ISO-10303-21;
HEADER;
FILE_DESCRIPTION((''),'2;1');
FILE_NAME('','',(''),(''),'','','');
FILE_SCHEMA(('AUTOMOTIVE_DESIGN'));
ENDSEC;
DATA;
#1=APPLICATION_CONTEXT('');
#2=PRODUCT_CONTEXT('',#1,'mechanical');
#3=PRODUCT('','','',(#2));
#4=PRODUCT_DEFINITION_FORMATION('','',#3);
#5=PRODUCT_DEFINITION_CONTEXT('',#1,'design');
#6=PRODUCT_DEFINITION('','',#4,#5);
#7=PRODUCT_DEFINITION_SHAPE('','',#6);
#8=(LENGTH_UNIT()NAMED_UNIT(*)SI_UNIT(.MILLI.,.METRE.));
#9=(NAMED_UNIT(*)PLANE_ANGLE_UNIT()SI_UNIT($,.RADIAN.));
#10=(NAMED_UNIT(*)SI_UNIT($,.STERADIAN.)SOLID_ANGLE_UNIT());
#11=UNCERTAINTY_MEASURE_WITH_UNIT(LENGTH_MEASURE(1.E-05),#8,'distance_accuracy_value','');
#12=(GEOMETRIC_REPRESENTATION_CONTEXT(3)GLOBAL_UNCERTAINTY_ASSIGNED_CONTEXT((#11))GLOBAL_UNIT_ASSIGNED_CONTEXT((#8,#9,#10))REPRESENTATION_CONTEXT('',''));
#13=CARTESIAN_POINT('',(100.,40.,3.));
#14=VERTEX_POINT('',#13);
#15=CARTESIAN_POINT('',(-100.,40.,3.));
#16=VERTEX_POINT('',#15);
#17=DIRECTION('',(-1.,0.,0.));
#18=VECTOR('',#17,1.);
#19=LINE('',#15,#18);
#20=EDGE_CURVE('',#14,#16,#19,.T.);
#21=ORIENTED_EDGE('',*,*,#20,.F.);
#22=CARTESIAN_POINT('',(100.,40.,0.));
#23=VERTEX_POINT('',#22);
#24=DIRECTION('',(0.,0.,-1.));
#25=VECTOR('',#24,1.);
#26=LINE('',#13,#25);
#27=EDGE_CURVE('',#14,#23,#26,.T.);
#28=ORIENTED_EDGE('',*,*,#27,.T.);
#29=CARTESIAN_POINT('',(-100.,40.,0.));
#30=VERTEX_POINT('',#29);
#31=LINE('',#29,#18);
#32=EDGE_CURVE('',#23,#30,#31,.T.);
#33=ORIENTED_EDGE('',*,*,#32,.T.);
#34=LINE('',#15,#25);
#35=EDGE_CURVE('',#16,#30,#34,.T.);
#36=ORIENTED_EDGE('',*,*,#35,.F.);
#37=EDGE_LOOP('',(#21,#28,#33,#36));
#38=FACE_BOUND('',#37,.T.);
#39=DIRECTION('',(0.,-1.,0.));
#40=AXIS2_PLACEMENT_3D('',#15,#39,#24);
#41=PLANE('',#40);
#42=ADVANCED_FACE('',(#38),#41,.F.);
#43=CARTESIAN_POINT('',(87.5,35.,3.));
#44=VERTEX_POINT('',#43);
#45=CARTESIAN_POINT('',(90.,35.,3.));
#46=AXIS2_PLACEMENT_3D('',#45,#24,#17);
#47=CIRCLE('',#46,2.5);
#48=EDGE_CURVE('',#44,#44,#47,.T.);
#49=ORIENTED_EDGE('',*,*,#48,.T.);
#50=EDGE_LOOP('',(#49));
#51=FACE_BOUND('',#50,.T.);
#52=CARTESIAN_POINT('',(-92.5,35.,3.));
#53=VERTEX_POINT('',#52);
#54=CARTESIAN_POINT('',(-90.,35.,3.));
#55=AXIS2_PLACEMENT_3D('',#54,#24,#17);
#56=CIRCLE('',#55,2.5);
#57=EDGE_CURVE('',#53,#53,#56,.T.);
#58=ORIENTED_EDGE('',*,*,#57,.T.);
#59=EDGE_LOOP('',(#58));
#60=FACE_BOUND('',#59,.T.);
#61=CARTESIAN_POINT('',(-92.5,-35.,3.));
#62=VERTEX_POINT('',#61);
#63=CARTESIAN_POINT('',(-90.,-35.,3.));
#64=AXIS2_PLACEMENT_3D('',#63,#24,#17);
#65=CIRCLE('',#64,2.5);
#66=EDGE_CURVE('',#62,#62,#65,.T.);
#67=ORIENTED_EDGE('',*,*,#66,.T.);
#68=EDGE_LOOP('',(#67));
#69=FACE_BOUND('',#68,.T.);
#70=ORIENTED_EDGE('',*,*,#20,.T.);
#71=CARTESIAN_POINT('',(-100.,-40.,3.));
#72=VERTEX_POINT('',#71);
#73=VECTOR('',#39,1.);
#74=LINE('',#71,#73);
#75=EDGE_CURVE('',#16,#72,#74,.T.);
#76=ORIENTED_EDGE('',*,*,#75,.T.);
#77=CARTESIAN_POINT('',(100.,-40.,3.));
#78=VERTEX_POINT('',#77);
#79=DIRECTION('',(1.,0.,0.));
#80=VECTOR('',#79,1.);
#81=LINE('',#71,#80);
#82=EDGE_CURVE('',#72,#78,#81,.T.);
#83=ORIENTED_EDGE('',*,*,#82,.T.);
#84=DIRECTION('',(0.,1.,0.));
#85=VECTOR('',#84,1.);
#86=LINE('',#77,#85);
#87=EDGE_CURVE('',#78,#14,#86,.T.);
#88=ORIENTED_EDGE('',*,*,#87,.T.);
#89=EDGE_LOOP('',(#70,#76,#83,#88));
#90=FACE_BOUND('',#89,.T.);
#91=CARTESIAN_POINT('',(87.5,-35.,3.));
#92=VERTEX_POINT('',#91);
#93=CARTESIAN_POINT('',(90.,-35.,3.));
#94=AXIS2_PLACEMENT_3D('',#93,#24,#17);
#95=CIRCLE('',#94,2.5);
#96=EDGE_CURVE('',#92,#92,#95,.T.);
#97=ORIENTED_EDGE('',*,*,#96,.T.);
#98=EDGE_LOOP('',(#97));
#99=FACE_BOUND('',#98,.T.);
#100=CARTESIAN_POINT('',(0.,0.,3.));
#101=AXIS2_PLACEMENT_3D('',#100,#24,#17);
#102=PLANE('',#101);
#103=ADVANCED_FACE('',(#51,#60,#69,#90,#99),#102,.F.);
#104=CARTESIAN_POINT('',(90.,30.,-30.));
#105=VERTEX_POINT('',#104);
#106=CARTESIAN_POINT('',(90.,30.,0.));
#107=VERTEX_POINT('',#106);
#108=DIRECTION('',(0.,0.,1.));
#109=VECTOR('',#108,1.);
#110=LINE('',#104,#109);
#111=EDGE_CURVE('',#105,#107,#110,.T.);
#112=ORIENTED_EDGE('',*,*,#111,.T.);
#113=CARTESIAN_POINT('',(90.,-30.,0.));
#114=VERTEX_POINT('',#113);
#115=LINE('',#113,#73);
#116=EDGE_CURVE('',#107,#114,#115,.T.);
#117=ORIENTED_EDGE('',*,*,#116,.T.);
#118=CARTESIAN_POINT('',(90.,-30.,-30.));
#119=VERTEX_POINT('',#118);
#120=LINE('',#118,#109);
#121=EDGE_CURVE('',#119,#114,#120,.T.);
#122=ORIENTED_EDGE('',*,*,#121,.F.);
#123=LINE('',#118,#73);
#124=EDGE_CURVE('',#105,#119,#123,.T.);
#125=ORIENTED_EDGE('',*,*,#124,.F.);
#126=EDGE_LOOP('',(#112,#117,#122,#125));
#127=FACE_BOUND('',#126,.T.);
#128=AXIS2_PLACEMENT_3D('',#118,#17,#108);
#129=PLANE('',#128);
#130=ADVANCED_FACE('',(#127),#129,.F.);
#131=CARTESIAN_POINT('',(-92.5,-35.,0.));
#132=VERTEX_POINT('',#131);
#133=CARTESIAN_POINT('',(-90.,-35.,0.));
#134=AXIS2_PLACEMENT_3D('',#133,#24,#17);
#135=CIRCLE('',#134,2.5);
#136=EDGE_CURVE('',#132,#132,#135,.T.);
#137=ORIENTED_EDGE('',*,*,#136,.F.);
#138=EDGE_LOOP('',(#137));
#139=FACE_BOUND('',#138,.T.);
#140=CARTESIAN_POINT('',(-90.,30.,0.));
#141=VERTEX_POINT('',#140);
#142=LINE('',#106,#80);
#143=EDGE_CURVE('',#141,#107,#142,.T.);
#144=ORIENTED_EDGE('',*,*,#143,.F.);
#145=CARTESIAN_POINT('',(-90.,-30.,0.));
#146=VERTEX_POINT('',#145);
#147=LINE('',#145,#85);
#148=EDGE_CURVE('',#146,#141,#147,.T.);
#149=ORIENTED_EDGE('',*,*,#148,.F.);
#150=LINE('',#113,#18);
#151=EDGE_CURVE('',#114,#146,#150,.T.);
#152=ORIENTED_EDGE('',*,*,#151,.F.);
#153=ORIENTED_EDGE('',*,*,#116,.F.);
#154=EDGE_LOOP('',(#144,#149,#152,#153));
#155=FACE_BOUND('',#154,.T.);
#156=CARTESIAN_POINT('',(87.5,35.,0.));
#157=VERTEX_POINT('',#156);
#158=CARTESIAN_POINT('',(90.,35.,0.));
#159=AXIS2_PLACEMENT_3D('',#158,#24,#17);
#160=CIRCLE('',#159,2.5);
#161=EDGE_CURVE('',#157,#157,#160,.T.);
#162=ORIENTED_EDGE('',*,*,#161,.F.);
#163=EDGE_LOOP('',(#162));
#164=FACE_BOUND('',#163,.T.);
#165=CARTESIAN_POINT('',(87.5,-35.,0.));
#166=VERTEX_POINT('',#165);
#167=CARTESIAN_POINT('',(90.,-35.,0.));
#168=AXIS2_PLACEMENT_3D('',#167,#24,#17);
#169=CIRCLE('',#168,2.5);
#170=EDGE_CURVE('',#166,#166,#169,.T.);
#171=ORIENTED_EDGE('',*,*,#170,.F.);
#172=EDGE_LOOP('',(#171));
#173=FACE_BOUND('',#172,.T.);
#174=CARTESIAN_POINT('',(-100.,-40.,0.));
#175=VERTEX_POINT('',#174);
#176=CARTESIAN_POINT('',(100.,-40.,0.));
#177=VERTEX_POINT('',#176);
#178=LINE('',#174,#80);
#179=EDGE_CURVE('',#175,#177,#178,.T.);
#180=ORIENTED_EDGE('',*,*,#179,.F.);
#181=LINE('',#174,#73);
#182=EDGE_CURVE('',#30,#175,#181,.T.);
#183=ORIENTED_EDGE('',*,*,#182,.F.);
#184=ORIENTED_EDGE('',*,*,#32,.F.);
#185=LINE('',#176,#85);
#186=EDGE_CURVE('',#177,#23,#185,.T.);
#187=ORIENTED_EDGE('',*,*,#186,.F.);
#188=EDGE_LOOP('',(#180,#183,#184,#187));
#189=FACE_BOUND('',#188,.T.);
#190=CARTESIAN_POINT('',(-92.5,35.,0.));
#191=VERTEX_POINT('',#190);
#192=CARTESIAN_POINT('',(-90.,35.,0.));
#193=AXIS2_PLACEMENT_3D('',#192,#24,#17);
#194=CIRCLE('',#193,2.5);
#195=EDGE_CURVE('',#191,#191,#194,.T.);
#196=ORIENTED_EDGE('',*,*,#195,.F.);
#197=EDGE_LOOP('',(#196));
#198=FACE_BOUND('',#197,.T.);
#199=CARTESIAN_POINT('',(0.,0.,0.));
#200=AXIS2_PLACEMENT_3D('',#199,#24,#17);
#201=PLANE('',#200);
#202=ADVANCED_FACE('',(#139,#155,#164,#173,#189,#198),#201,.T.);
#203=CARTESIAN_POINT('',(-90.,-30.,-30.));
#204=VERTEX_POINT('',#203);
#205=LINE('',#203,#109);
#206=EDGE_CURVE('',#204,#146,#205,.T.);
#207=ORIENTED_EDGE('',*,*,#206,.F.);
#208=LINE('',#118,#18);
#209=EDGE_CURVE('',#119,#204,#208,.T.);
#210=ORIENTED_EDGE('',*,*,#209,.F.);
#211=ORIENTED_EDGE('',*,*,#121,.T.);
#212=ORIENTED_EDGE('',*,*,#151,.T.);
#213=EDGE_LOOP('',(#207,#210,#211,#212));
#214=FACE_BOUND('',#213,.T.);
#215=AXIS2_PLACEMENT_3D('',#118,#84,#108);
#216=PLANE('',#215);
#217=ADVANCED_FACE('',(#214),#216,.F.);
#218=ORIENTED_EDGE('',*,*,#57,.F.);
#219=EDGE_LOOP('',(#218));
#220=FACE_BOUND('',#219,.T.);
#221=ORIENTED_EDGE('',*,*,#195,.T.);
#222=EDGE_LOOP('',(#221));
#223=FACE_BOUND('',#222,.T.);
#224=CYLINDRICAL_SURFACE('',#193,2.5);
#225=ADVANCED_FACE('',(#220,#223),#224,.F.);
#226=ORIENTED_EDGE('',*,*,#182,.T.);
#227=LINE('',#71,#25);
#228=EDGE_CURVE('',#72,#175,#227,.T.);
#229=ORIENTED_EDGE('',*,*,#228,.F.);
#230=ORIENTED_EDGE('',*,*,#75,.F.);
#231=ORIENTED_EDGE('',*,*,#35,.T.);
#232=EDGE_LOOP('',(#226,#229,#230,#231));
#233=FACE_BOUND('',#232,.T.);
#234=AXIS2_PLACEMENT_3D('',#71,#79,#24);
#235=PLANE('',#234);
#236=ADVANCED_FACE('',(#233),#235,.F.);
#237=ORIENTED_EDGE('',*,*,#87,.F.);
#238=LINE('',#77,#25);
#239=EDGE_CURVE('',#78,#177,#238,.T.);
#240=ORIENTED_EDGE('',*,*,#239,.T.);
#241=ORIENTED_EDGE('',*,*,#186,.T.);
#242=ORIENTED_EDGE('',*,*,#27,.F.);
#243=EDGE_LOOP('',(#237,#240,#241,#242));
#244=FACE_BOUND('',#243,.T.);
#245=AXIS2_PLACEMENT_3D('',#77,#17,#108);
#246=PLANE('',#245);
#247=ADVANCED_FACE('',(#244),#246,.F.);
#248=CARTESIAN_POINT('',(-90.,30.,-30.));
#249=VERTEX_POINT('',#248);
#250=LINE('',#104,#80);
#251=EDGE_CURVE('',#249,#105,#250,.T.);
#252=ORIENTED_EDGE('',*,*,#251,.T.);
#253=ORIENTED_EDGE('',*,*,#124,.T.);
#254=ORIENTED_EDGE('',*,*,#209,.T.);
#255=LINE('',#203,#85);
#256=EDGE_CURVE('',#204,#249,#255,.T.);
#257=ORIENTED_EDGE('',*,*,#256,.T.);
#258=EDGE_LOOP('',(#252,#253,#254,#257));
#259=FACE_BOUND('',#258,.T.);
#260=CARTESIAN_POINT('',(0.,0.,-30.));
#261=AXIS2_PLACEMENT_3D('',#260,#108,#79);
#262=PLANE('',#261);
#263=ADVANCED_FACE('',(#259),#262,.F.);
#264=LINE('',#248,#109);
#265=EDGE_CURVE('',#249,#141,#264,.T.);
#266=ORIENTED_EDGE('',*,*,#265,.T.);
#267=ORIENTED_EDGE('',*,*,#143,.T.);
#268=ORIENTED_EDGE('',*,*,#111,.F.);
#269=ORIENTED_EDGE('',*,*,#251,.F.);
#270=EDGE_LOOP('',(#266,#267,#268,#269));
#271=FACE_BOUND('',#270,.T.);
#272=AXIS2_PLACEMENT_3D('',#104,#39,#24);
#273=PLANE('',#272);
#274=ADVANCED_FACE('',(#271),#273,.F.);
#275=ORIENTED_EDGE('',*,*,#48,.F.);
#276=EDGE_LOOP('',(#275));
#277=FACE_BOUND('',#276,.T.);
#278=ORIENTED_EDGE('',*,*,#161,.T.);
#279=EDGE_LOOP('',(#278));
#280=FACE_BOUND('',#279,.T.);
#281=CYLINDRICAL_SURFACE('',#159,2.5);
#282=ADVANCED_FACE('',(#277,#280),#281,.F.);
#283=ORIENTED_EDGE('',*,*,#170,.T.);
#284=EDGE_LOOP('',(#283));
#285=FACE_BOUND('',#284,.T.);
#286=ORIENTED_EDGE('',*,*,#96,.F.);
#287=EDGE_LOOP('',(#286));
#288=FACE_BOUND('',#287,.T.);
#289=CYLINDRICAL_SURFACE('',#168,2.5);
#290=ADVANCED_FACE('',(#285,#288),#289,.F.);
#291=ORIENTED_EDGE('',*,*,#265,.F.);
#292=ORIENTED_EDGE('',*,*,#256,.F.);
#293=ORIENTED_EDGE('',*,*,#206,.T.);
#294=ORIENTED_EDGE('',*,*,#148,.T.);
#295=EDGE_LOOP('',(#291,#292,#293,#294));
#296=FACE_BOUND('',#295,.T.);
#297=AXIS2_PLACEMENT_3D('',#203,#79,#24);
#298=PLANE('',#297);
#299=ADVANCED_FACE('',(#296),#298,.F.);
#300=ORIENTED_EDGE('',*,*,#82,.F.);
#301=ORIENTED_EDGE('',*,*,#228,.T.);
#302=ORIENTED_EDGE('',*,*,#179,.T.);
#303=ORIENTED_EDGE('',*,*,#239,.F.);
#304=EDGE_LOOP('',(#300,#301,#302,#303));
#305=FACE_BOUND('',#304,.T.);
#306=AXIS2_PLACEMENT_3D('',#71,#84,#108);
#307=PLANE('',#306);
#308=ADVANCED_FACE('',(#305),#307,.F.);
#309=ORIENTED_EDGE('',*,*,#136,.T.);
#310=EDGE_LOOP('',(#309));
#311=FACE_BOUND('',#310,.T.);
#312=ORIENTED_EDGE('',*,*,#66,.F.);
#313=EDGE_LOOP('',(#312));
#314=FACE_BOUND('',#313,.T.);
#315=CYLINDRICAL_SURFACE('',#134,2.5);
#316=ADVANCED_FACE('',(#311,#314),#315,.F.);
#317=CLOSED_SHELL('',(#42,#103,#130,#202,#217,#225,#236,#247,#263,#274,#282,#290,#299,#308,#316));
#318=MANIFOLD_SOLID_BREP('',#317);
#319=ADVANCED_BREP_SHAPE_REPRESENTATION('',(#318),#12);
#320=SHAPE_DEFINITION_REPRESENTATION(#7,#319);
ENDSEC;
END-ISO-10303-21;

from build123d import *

# Parameters (mm, degrees)
SKETCH_1_W             = 200
SKETCH_1_H             = 80
EXTRUDE_1_DEPTH        = 3
SKETCH_2_W             = 180
SKETCH_2_H             = 60
EXTRUDE_2_DEPTH        = 30
HOLE_WIZARD_M6_1_D     = 5
HOLE_WIZARD_M6_1_DEPTH = 15
HOLE_WIZARD_M6_1_TIP   = 1.502151548


with BuildPart() as part:
    # 草图1 → 凸台-拉伸1 (new body)
    with BuildSketch(Plane.XY):
        Rectangle(SKETCH_1_W, SKETCH_1_H)
    extrude(amount=EXTRUDE_1_DEPTH)

    # 草图2 → 凸台-拉伸2 (add)
    with BuildSketch(Plane(origin=(0, 0, 0), x_dir=(-1, 0, 0), z_dir=(0, 0, -1))):
        Rectangle(SKETCH_2_W, SKETCH_2_H)
    extrude(amount=EXTRUDE_2_DEPTH)

    # M6 螺纹孔1
    with Locations(Plane(origin=(0, 0, 0), x_dir=(-1, 0, 0), z_dir=(0, 0, -1))):
        with Locations((-90, 35), (-90, -35), (90, -35), (90, 35)):
            Hole(HOLE_WIZARD_M6_1_D / 2, depth=HOLE_WIZARD_M6_1_DEPTH)
            with Locations((0, 0, -(HOLE_WIZARD_M6_1_DEPTH + HOLE_WIZARD_M6_1_TIP / 2))):  # 118° drill point
                Cone(0, HOLE_WIZARD_M6_1_D / 2, HOLE_WIZARD_M6_1_TIP, mode=Mode.SUBTRACT)


solid = part.part
